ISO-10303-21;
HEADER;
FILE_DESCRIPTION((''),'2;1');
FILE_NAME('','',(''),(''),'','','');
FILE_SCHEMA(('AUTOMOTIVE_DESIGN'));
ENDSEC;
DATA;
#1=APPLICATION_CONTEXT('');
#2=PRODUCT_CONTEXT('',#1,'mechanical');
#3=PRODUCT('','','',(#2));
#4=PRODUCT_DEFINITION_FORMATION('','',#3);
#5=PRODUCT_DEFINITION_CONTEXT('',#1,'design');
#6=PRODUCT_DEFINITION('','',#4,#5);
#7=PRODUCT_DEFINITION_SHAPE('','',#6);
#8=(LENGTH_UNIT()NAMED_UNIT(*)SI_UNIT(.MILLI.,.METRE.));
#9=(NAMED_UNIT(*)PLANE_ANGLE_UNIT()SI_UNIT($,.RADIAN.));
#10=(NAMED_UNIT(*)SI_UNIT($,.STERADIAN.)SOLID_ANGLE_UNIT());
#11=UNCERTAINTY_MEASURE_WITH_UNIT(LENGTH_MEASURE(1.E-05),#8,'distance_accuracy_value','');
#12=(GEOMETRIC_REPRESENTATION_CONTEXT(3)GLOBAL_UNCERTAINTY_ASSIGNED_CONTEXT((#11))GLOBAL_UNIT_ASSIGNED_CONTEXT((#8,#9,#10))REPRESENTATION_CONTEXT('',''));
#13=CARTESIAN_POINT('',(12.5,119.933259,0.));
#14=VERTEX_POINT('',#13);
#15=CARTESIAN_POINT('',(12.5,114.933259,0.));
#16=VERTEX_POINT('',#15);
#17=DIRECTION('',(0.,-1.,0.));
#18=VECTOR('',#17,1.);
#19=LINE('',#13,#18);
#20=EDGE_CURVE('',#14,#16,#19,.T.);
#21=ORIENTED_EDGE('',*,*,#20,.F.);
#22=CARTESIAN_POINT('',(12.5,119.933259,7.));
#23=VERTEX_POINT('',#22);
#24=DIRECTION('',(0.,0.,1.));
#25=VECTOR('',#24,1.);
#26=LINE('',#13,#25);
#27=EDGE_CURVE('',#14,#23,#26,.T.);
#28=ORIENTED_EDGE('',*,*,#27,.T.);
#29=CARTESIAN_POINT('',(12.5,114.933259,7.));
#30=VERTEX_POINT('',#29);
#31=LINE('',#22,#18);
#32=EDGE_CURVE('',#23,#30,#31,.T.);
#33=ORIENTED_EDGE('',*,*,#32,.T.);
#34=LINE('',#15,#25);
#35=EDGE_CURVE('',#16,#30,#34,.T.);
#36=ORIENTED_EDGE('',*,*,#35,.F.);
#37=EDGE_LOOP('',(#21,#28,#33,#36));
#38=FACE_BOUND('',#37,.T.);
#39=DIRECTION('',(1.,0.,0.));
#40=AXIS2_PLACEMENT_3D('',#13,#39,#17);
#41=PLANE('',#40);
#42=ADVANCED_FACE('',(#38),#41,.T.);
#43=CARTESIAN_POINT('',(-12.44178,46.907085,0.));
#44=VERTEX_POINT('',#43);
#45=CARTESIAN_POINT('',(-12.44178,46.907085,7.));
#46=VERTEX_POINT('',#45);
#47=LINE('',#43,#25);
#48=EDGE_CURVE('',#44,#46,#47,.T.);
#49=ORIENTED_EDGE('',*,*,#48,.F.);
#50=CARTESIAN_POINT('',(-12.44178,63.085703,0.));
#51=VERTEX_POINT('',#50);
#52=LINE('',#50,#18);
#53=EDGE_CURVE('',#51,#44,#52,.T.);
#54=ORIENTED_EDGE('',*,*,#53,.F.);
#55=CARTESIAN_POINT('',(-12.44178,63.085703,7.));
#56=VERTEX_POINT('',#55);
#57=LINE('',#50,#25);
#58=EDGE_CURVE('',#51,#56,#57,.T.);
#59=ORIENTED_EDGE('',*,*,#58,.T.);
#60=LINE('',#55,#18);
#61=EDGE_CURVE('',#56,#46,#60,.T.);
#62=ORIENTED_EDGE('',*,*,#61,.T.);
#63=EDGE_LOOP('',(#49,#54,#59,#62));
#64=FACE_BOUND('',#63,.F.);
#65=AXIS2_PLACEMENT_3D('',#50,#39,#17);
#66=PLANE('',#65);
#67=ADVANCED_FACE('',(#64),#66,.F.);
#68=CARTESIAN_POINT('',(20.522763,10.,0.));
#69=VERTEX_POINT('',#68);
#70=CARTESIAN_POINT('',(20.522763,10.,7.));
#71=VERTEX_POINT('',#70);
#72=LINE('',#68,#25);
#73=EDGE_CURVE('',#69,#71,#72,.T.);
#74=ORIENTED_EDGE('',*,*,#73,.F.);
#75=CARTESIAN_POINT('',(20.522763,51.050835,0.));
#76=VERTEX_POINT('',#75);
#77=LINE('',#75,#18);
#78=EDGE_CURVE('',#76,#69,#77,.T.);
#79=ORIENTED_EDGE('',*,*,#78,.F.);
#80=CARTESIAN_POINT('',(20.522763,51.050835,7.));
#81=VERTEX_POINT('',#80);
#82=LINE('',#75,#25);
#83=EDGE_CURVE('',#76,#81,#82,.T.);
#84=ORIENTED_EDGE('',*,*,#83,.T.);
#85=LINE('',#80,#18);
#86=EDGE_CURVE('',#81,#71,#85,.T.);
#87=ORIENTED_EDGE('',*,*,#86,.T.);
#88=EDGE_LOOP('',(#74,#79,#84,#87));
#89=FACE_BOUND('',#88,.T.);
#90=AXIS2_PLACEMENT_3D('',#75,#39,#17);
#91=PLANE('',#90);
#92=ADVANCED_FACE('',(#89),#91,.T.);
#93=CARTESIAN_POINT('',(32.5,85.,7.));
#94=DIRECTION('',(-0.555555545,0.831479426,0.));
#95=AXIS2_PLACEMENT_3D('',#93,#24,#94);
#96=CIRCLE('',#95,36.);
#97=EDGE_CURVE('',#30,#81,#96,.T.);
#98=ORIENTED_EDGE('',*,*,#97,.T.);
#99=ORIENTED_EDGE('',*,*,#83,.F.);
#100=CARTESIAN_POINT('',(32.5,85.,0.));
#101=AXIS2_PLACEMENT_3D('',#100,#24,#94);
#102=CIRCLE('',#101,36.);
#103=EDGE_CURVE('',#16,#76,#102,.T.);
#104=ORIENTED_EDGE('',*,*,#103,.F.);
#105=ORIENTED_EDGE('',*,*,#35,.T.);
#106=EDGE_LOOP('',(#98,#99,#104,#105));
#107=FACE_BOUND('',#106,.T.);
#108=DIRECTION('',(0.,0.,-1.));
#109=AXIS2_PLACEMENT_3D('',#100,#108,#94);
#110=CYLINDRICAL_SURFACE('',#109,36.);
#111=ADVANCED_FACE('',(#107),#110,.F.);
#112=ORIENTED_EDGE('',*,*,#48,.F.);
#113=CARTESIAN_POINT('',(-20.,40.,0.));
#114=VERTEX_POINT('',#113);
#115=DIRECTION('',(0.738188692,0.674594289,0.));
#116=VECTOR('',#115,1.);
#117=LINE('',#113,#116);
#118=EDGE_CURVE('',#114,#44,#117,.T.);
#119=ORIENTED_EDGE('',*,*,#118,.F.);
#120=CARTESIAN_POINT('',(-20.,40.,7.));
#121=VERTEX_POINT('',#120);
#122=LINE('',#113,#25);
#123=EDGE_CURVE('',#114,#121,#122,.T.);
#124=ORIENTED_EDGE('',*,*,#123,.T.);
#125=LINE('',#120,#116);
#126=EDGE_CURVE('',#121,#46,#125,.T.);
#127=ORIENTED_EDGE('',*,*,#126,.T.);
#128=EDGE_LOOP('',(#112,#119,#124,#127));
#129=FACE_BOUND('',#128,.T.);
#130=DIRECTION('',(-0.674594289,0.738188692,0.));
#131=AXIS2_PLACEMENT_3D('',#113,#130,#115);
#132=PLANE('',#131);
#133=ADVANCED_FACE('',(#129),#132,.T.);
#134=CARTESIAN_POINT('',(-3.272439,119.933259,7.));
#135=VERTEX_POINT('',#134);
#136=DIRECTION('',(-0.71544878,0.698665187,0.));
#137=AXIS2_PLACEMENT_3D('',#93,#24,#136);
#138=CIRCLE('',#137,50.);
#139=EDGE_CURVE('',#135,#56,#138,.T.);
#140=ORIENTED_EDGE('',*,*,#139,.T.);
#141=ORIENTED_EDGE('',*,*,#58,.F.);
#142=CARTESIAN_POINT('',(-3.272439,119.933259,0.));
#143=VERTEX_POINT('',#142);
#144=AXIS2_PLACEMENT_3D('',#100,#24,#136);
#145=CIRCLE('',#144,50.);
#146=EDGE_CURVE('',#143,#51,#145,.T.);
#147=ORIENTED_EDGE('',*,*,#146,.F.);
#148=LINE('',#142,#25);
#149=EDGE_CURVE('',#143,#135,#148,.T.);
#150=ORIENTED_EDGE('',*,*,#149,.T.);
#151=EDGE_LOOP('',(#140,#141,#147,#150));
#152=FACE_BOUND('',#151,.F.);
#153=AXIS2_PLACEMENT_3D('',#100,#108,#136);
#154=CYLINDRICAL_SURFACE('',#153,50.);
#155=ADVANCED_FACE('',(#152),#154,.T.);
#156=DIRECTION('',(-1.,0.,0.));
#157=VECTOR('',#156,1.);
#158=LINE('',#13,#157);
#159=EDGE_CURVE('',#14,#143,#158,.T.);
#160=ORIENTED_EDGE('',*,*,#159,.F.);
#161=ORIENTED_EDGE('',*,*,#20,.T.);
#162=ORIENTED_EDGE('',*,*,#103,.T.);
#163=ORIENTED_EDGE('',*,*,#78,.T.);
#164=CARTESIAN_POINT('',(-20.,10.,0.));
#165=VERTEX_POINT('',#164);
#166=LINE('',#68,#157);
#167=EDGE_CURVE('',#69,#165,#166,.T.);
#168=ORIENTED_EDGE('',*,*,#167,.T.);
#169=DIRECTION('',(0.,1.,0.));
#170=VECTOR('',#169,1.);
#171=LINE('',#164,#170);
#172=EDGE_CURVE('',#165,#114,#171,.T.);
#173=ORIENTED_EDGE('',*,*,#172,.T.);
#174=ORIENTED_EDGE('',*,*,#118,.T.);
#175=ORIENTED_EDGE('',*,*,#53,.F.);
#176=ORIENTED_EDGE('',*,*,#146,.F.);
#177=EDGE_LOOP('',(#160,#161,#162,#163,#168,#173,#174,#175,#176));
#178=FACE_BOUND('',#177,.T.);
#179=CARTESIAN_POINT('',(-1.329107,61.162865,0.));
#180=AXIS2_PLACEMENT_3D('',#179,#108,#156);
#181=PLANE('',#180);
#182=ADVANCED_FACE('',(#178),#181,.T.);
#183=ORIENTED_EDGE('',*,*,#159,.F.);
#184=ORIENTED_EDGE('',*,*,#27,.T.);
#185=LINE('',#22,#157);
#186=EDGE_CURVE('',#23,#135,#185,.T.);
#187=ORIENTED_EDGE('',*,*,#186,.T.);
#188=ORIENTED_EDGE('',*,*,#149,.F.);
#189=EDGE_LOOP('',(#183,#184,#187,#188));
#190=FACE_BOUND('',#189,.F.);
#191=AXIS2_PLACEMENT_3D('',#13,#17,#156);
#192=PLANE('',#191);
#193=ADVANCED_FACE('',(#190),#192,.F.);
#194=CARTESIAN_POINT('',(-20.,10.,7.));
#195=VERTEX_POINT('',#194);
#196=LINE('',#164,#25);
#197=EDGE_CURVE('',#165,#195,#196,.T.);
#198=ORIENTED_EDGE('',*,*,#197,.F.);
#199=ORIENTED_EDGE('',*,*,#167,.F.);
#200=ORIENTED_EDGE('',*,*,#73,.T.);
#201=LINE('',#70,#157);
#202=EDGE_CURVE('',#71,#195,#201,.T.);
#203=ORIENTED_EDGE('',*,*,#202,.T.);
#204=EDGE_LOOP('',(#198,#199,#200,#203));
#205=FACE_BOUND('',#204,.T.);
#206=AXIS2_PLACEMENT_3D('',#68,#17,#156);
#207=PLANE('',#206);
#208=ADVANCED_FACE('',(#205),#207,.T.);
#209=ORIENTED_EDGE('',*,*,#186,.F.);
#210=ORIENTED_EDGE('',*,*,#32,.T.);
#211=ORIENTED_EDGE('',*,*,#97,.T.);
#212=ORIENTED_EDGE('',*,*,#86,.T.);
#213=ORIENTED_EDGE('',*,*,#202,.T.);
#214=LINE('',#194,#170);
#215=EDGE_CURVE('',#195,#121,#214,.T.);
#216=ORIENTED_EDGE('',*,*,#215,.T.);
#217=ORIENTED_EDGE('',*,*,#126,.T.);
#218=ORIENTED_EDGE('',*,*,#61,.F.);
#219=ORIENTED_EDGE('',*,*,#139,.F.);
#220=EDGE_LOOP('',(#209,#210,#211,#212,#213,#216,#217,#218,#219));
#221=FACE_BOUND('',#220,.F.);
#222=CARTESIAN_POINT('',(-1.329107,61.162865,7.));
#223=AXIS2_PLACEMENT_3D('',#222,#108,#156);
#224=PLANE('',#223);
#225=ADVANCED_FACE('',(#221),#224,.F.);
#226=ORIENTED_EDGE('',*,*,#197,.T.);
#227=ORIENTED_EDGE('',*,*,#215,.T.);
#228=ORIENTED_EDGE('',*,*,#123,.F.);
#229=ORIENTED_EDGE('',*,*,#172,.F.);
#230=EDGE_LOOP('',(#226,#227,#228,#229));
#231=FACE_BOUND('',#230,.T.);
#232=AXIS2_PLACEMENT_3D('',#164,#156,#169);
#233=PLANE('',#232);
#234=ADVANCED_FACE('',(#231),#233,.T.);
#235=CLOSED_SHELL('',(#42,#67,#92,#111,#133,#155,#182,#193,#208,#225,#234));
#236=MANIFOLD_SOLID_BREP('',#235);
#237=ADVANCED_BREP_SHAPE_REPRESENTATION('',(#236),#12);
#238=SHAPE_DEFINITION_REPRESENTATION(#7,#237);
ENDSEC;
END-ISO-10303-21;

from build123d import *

# Parameters (mm, degrees)
CYLINDER002_R     = 0.5
CYLINDER002_DEPTH = 15
PAD001_DEPTH      = 7


with BuildPart() as fixation_servo:
    # Cylinder002 → Cylinder002 (new body)
    with BuildSketch(Plane(origin=(38, 30, 0), x_dir=(1, 0, 0), z_dir=(0, 0, 1))):
        Circle(CYLINDER002_R)
    extrude(amount=CYLINDER002_DEPTH)


with BuildPart() as part_mirroring001:
    # Part__Mirroring001: instance of fixation_servo
    add(fixation_servo.part.mirror(Plane(origin=(0, 0, 0), x_dir=(0, -1, 0), z_dir=(1, 0, 0))))


with BuildPart() as cut004:
    # Sketch001 → Pad001 (new body)
    with BuildSketch(Plane.XY):
        with BuildLine():
            Line((20.522763, 10), (-20, 10))
            Line((-20, 10), (-20, 40))
            Line((-20, 40), (-12.44178, 46.907085))
            Line((-12.44178, 63.085703), (-12.44178, 46.907085))
            ThreePointArc((-3.272439, 119.933259), (-16.862004, 92.961944), (-12.44178, 63.085703))
            Line((12.5, 119.933259), (-3.272439, 119.933259))
            Line((12.5, 119.933259), (12.5, 114.933259))
            ThreePointArc((12.5, 114.933259), (-3.21942, 80.514127), (20.522763, 51.050835))
            Line((20.522763, 51.050835), (20.522763, 10))
        make_face()
    extrude(amount=PAD001_DEPTH)

    # Cut004: cut Part__Mirroring001
    add(part_mirroring001.part, mode=Mode.SUBTRACT)


solid = cut004.part
